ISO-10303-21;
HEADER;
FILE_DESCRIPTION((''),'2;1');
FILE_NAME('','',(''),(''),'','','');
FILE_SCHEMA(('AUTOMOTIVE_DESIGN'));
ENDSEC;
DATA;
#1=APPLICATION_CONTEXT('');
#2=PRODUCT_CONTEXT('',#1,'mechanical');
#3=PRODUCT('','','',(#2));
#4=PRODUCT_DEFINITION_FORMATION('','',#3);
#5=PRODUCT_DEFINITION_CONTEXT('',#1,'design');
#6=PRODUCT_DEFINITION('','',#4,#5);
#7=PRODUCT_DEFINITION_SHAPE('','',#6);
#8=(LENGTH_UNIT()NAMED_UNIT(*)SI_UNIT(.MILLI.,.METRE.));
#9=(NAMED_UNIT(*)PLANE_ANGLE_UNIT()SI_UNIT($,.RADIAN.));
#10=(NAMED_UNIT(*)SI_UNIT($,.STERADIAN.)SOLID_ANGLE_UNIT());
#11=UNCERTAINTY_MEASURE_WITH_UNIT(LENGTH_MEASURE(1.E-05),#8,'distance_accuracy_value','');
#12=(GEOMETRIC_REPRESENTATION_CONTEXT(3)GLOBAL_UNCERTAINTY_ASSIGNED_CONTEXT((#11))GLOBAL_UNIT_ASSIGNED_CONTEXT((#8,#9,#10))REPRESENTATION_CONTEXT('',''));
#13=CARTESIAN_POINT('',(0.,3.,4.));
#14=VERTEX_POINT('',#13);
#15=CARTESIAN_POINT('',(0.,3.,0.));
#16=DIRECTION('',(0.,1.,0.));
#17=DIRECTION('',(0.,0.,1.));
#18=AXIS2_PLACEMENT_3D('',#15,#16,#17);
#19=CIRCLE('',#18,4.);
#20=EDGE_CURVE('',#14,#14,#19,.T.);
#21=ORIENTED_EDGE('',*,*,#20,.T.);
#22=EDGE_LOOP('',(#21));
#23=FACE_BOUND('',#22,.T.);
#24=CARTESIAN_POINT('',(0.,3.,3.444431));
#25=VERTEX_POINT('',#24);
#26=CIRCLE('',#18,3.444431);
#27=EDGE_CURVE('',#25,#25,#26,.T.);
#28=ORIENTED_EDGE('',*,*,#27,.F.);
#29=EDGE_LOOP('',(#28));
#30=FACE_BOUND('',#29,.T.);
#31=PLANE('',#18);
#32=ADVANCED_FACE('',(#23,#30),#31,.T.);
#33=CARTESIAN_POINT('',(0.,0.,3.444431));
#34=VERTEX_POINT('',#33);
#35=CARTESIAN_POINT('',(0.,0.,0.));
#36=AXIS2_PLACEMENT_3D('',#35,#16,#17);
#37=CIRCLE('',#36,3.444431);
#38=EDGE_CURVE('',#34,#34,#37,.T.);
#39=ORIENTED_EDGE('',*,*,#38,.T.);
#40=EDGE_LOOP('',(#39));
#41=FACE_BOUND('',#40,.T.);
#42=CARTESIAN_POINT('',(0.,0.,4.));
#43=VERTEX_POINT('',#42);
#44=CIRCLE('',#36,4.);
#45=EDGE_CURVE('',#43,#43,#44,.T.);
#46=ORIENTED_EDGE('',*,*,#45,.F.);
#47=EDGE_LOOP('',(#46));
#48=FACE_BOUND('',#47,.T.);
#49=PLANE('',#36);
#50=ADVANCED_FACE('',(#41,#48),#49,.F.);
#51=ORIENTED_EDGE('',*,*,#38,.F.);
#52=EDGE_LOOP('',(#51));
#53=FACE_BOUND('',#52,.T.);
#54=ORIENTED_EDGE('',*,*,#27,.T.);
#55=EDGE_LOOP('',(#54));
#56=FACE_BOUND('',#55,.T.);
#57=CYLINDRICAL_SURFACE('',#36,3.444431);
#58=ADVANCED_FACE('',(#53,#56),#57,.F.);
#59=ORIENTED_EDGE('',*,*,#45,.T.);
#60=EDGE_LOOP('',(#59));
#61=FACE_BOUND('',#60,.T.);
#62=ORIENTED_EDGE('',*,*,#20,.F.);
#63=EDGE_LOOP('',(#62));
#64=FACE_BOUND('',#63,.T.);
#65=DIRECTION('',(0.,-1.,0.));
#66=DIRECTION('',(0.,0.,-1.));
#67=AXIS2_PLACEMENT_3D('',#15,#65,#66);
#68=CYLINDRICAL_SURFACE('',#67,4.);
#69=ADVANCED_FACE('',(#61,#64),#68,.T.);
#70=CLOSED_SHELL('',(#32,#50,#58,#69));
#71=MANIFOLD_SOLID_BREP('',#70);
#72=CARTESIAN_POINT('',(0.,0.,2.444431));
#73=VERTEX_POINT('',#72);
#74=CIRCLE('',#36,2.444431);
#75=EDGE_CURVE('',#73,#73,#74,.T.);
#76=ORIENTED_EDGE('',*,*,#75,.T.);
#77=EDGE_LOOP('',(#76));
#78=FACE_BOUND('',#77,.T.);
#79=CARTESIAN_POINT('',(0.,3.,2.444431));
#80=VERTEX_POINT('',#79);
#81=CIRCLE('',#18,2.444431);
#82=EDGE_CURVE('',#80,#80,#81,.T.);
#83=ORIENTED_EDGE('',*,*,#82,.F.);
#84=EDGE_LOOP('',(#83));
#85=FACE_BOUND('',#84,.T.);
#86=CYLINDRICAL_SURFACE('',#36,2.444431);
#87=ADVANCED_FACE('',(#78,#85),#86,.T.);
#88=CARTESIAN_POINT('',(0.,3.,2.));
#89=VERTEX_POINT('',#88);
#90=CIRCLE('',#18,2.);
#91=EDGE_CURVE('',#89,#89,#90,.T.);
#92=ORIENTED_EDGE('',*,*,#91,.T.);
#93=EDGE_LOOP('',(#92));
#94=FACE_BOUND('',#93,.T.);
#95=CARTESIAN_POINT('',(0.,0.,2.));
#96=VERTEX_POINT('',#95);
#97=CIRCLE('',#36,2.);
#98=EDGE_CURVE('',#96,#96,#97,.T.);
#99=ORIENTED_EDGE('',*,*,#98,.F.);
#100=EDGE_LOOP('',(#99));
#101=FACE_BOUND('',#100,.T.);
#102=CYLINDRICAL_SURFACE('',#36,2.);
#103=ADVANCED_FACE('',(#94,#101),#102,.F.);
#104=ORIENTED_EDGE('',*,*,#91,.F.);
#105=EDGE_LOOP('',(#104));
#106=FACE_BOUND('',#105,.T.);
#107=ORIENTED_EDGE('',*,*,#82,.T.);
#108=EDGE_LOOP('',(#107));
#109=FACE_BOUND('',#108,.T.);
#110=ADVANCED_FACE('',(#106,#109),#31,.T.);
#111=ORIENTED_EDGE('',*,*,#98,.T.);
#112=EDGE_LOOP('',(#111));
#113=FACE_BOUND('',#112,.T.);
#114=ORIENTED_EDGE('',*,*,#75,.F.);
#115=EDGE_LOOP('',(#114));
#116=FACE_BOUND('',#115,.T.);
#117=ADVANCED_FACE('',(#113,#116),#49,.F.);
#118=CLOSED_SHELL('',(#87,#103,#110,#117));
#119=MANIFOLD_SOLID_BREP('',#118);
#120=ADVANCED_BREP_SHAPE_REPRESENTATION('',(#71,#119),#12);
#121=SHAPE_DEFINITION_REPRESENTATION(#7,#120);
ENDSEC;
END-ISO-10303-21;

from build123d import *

# Parameters (mm, degrees)
SKETCH1_R           = 4
BOSS_EXTRUDE2_DEPTH = 3
SKETCH3_R           = 2
CUT_EXTRUDE2_DEPTH  = 3
SKETCH4_R           = 3.44443066
SKETCH4_R_2         = 2.44443066
CUT_EXTRUDE3_DEPTH  = 3


with BuildPart() as part:
    # Sketch1 → Boss-Extrude2 (new body)
    with BuildSketch(Plane(origin=(0, 0, 0), x_dir=(1, 0, 0), z_dir=(0, 1, 0))):
        with Locations(Location((0, 0, 0), (0, 0, 270))):
            Circle(SKETCH1_R)
    extrude(amount=BOSS_EXTRUDE2_DEPTH)

    # Sketch3 → Cut-Extrude2 (cut)
    with BuildSketch(Plane(origin=(0, 3, 0), x_dir=(1, 0, 0), z_dir=(0, 1, 0))):
        with Locations(Location((0, 0, 0), (0, 0, 270))):
            Circle(SKETCH3_R)
    extrude(amount=-CUT_EXTRUDE2_DEPTH, mode=Mode.SUBTRACT)

    # Sketch4 → Cut-Extrude3 (cut)
    with BuildSketch(Plane(origin=(0, 3, 0), x_dir=(1, 0, 0), z_dir=(0, 1, 0))):
        with Locations(Location((0, 0, 0), (0, 0, 270))):
            Circle(SKETCH4_R)
        with Locations(Location((0, 0, 0), (0, 0, 270))):
            Circle(SKETCH4_R_2, mode=Mode.SUBTRACT)
    extrude(amount=-CUT_EXTRUDE3_DEPTH, mode=Mode.SUBTRACT)


with BuildPart() as cut_extrude3_piece_1:
    # of the separate pieces the step leaves, piece 1, a body of its own (cut_extrude3_pieces)
    add(part.part.solids().sort_by_distance((0, 0, 4))[0])


with BuildPart() as cut_extrude3_piece_2:
    # of the separate pieces the step leaves, piece 2, a body of its own (cut_extrude3_pieces)
    add(part.part.solids().sort_by_distance((0, 0, 2.44443066))[0])


solid = Compound([cut_extrude3_piece_1.part, cut_extrude3_piece_2.part])
